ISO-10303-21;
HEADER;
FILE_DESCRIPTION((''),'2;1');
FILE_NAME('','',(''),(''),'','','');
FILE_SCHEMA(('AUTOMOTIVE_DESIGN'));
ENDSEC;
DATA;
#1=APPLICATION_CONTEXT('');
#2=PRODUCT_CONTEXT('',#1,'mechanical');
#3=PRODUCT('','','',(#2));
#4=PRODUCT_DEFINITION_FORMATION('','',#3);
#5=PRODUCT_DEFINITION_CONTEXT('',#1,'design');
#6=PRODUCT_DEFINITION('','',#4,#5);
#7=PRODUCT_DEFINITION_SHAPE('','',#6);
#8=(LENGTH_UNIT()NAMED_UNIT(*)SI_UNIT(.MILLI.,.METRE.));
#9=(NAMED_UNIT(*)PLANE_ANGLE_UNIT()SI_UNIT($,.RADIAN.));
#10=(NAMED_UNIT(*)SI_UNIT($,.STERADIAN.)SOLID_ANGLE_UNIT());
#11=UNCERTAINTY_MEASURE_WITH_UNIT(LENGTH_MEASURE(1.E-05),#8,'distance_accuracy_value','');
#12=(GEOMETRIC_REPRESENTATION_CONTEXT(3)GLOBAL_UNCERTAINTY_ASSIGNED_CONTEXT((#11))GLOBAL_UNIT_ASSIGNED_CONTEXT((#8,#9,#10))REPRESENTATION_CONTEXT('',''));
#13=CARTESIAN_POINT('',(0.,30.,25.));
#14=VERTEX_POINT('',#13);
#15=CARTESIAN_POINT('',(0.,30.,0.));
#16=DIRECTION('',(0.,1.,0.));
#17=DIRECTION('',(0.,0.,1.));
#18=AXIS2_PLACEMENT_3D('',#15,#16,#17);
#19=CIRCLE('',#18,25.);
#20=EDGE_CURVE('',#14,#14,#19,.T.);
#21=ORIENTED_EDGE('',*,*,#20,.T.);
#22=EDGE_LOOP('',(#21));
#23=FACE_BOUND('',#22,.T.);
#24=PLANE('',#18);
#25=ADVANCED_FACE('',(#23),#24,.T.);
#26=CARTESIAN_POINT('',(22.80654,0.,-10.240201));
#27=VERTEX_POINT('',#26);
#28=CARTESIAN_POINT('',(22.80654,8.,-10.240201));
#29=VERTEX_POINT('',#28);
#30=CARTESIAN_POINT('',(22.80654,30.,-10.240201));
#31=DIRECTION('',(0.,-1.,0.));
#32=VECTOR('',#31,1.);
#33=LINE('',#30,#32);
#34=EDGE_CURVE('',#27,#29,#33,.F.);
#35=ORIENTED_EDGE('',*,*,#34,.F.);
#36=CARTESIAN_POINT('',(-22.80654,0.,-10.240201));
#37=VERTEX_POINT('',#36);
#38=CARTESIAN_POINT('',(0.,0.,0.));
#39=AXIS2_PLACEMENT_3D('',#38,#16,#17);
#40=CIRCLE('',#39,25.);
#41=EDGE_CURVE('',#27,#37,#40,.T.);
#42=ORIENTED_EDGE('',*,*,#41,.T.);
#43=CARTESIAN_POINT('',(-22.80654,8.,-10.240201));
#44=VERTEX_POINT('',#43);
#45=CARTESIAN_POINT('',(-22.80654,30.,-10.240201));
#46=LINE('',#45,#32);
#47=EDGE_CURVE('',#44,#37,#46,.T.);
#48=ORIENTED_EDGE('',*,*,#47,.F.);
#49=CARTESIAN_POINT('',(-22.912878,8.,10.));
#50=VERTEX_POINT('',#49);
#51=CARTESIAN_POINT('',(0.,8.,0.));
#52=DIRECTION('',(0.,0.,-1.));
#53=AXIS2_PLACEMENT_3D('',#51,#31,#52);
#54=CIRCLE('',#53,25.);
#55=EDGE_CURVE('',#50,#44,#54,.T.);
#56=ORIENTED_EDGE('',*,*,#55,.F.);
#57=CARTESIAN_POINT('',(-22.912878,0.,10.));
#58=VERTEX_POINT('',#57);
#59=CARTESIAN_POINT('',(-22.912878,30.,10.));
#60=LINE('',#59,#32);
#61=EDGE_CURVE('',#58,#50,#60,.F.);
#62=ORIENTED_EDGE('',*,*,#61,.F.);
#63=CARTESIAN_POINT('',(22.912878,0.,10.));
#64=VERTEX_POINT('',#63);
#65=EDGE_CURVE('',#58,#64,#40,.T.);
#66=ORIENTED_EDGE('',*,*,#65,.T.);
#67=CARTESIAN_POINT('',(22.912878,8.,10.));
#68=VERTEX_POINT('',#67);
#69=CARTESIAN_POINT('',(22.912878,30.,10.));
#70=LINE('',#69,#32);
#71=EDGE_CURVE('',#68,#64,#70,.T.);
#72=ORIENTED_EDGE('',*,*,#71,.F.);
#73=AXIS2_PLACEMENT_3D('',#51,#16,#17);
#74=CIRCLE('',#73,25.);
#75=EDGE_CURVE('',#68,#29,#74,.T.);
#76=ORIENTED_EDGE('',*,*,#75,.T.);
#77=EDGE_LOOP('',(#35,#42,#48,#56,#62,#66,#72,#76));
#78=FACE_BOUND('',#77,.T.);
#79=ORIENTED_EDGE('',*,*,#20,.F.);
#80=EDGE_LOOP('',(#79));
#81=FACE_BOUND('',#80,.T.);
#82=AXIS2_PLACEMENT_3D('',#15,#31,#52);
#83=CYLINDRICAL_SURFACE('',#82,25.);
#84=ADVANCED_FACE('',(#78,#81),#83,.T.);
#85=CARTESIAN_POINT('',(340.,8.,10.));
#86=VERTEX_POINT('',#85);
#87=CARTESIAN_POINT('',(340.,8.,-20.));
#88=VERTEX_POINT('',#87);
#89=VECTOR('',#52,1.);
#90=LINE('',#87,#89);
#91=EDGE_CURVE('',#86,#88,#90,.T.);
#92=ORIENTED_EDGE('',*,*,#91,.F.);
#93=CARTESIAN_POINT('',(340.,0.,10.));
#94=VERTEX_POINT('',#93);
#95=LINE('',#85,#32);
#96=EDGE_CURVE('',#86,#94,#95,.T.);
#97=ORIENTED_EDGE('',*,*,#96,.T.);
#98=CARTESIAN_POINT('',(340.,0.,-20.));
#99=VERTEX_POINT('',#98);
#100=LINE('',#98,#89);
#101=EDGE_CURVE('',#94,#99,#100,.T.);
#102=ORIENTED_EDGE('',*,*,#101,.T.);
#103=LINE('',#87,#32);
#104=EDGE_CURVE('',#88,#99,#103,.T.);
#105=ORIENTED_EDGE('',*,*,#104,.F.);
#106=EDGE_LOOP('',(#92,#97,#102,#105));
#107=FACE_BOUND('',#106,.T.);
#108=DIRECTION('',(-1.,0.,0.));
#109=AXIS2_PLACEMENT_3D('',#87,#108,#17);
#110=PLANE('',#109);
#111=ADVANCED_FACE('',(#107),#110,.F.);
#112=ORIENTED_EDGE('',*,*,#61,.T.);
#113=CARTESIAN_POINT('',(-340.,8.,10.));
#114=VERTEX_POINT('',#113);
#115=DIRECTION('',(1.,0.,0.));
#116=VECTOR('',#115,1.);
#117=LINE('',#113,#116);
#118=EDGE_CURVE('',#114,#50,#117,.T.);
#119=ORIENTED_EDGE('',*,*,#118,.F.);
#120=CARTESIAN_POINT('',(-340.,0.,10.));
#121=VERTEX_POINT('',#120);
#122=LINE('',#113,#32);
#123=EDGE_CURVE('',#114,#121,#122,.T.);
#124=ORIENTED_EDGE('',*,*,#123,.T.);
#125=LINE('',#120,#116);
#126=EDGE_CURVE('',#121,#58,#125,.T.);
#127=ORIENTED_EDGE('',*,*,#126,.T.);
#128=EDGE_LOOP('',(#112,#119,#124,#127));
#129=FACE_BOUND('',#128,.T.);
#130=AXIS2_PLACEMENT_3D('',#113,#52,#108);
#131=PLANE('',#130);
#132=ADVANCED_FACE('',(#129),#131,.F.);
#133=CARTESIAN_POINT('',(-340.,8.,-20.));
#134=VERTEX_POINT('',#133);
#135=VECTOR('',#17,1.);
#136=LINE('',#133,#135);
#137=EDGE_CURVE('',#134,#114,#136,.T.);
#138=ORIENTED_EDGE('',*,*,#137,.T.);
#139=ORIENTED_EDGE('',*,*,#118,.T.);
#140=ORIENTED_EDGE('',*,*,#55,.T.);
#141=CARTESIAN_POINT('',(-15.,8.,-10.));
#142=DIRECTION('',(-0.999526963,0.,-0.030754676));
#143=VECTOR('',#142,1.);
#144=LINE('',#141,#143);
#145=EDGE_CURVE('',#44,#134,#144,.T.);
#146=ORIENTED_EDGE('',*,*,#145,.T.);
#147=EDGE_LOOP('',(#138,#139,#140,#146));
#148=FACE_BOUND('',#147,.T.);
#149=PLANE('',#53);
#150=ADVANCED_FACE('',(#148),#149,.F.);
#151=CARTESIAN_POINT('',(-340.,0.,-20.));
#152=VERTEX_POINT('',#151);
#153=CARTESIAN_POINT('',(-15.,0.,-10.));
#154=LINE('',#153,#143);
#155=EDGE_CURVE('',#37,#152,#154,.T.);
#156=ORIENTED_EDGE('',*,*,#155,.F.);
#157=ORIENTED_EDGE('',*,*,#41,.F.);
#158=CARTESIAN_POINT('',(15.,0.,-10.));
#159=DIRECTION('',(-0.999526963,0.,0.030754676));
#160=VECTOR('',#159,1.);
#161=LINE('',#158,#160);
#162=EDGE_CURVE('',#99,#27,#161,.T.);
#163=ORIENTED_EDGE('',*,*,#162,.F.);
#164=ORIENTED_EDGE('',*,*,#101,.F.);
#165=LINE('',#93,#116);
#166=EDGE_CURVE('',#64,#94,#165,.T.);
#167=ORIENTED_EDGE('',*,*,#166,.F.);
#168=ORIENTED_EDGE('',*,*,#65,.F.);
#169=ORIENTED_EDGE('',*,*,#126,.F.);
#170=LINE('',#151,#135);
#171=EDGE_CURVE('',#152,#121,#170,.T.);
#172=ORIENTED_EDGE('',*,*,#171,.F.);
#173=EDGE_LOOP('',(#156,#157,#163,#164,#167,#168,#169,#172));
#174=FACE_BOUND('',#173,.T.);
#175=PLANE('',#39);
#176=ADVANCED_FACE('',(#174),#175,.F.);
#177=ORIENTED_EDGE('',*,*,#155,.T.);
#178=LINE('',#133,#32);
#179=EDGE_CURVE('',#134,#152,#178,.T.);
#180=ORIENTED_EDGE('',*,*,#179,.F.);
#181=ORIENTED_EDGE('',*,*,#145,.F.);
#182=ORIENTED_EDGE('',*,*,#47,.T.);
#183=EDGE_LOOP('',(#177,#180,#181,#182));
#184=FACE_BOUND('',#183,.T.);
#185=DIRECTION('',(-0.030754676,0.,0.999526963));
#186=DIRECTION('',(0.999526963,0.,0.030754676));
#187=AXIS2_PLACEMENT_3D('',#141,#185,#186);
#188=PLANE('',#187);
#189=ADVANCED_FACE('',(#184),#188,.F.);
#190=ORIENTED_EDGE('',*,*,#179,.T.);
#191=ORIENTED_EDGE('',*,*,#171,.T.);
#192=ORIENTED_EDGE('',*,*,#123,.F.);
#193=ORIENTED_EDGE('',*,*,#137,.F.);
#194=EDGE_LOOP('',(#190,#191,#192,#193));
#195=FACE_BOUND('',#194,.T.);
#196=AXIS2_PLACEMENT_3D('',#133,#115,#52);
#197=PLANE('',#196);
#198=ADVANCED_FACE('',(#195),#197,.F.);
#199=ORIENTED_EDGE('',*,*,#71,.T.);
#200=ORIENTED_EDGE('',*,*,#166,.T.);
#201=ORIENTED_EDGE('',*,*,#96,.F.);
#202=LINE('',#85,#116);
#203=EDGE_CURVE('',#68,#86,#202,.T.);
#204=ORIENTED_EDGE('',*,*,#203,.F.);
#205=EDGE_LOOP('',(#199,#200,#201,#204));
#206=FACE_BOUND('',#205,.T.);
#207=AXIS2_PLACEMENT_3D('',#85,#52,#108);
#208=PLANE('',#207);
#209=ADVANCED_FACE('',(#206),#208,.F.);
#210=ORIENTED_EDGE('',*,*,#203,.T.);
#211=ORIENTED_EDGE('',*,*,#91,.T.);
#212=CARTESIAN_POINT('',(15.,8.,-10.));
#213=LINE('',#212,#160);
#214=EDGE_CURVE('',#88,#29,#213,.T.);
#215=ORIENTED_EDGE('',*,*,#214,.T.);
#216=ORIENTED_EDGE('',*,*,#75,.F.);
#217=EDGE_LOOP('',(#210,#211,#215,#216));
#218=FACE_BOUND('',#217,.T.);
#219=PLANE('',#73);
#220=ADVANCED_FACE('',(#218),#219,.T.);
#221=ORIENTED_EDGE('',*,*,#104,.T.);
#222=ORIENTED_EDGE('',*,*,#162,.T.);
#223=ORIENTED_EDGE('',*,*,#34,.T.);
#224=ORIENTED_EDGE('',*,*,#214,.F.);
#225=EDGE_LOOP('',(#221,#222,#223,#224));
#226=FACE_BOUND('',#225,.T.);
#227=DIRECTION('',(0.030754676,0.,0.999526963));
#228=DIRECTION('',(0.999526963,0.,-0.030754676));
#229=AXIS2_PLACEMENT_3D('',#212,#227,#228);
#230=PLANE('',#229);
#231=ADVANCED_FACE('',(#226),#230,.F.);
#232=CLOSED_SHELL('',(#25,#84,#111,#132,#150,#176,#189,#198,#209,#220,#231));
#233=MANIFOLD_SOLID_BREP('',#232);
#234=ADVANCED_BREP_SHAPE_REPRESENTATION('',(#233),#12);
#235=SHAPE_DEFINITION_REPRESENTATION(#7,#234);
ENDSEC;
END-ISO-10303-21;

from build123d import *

# Parameters (mm, degrees)
SKETCH1_R           = 25
BOSS_EXTRUDE1_DEPTH = 30
BOSS_EXTRUDE2_DEPTH = 8


with BuildPart() as part:
    # Sketch1 → Boss-Extrude1 (new body)
    with BuildSketch(Plane(origin=(0, 0, 0), x_dir=(1, 0, 0), z_dir=(0, 1, 0))):
        with Locations(Location((0, 0, 0), (0, 0, 270))):
            Circle(SKETCH1_R)
    extrude(amount=BOSS_EXTRUDE1_DEPTH)

    # Sketch2 → Boss-Extrude2 (add)
    with BuildSketch(Plane(origin=(0, 0, 0), x_dir=(1, 0, 0), z_dir=(0, 1, 0))):
        Polygon((15, 10), (340, 20), (340, -10), (15, -10), align=None)
        Polygon((-15, 10), (-340, 20), (-340, -10), (-15, -10), align=None)
    extrude(amount=BOSS_EXTRUDE2_DEPTH)


solid = part.part
